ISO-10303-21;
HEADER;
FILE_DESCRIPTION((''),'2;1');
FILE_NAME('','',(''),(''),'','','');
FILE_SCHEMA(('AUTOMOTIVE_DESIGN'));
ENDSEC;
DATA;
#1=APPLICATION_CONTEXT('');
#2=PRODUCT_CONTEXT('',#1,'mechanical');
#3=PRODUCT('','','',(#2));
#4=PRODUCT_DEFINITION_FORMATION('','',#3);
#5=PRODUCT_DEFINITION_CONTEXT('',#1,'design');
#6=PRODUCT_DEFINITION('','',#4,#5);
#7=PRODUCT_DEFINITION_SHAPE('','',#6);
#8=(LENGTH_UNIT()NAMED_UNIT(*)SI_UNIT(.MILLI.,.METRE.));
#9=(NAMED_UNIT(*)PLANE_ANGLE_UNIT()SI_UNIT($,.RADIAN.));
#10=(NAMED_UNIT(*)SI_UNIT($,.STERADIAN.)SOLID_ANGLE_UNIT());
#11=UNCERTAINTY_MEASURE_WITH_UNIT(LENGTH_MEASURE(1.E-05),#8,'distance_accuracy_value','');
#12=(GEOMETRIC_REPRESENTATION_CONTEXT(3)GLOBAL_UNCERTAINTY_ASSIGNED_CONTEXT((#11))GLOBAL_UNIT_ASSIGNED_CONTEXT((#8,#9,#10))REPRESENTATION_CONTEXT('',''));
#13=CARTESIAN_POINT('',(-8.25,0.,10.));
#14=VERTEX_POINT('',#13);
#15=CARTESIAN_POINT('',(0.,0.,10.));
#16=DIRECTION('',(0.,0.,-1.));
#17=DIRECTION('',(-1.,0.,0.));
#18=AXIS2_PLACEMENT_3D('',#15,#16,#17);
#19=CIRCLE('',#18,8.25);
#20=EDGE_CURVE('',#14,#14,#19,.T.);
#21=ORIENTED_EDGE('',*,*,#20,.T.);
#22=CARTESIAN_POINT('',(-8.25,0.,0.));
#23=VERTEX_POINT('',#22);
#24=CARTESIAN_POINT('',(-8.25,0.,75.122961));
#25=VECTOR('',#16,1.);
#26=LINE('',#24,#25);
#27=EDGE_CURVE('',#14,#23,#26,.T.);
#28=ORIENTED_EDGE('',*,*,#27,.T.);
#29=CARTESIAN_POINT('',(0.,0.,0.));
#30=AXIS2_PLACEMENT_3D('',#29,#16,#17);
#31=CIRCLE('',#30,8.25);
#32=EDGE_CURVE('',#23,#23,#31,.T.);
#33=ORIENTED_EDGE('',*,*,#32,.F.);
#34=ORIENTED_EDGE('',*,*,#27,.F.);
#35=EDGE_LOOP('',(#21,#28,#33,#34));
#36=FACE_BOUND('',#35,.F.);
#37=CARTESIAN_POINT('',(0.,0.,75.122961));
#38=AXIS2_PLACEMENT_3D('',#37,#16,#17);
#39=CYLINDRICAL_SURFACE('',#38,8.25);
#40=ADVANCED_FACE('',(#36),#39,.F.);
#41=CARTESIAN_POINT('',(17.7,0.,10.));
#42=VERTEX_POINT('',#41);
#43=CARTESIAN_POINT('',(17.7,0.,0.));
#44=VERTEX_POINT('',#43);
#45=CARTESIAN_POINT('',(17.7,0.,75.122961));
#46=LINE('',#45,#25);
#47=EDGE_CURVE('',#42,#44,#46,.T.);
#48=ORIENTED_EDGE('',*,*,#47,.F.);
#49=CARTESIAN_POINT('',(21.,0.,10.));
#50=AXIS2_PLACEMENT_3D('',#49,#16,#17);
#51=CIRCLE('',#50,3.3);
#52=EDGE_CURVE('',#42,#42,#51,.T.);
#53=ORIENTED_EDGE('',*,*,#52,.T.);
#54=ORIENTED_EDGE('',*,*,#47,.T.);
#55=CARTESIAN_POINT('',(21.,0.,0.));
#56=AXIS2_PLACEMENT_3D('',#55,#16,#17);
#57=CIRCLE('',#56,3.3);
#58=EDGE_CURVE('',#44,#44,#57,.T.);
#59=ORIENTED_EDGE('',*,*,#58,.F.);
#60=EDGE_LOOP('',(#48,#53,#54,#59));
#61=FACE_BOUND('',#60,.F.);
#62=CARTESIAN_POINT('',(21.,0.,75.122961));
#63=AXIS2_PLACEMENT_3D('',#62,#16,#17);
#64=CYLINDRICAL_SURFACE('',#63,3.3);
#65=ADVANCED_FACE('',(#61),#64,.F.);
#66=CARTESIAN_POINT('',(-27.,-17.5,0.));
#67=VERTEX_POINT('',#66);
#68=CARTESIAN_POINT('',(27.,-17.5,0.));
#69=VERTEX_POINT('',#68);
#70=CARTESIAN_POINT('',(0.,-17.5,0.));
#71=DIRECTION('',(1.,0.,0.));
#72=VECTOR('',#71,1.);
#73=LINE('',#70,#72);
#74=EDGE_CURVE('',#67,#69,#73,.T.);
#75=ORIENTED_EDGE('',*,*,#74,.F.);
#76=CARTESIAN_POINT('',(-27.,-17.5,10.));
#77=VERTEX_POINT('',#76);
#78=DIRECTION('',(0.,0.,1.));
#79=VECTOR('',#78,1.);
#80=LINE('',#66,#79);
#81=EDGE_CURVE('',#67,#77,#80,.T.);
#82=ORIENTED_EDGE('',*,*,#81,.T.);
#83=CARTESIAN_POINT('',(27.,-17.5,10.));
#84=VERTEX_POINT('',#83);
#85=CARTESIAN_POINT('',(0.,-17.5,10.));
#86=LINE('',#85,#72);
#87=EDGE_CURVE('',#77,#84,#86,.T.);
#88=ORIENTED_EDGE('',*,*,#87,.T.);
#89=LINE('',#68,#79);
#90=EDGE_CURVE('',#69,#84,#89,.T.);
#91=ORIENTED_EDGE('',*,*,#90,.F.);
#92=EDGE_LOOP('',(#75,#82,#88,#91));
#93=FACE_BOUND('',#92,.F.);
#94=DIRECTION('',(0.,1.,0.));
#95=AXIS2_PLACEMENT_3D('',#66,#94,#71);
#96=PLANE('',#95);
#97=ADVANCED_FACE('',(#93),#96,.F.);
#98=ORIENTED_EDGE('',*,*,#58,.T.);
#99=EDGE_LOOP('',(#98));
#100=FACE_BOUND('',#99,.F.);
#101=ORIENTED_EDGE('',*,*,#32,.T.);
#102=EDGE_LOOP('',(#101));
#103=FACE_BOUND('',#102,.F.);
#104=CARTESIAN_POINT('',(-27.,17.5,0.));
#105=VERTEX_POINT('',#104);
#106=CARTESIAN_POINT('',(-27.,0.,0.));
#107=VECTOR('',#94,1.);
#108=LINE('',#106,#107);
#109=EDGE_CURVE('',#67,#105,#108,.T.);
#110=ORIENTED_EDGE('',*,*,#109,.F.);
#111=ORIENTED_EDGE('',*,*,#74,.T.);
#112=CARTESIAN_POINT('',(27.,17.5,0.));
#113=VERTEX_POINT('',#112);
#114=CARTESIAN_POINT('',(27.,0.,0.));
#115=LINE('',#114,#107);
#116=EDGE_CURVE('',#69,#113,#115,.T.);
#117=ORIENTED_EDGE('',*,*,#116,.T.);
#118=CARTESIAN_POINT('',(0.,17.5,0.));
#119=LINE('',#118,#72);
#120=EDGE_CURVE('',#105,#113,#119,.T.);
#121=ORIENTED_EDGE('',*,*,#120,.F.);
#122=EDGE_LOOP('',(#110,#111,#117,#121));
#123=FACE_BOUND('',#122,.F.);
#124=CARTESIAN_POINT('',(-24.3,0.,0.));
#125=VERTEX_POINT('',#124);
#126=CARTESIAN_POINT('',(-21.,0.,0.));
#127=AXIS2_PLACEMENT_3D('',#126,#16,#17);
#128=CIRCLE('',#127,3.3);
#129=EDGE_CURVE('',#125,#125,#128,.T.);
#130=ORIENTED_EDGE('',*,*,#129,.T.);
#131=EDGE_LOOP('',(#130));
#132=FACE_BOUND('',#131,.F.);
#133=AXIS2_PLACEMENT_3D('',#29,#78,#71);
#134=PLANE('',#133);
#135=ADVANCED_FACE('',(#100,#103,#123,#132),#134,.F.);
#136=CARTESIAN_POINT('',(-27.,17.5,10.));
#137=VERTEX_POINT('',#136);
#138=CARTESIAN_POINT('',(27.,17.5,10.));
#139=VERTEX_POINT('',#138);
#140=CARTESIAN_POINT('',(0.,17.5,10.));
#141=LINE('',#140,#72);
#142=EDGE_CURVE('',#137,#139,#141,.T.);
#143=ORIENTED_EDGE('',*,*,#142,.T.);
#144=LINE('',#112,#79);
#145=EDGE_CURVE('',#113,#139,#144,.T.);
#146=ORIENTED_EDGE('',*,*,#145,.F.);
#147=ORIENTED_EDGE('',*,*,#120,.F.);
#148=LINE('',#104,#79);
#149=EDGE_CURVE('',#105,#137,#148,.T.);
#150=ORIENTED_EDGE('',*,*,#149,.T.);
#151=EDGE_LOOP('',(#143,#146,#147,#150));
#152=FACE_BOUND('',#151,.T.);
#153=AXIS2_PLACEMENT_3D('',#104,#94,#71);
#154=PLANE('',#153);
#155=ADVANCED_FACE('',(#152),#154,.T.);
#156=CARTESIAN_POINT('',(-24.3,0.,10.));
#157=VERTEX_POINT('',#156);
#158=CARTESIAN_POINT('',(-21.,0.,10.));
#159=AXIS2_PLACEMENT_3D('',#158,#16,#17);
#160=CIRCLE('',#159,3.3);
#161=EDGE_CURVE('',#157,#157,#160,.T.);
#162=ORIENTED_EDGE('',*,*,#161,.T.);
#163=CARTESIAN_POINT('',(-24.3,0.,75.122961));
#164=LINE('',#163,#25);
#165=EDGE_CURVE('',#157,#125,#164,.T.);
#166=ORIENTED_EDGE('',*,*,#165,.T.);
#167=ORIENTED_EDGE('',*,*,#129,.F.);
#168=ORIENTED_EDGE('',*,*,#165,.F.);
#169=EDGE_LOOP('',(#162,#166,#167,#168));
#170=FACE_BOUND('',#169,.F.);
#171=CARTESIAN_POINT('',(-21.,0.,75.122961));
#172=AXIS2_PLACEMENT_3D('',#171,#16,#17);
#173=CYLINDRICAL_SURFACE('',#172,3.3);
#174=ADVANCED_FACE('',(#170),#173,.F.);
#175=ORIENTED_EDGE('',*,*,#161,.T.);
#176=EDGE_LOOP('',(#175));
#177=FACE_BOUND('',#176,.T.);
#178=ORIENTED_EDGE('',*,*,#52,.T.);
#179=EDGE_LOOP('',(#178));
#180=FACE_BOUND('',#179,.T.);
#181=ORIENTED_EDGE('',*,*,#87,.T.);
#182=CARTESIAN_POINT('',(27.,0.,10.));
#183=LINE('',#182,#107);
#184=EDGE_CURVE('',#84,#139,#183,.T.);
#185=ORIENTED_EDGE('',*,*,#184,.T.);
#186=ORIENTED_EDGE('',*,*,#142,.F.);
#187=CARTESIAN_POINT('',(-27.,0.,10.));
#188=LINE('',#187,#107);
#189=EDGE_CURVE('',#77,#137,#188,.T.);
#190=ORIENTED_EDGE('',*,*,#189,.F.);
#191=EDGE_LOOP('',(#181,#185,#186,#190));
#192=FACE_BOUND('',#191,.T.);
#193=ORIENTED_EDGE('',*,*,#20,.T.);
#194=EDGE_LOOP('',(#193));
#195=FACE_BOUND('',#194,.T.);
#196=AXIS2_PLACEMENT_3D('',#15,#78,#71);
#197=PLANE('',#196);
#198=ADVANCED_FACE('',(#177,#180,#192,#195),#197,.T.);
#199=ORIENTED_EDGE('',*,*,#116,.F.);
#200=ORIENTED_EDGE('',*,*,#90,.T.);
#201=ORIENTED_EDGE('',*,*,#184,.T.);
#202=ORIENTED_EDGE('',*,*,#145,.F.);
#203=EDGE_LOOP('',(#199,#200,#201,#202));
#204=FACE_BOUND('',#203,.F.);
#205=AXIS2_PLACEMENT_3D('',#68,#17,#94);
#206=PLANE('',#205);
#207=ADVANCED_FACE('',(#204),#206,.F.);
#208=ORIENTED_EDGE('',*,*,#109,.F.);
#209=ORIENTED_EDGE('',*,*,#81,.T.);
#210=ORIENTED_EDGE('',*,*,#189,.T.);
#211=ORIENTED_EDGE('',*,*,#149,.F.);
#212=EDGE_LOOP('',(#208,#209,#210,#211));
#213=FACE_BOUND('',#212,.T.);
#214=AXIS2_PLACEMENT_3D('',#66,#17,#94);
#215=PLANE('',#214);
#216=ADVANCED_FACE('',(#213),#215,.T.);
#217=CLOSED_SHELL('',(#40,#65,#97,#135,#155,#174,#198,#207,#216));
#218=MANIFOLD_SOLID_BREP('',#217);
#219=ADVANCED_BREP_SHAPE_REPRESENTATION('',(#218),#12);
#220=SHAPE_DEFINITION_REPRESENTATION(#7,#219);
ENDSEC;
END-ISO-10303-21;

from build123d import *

# Parameters (mm, degrees)
F0_W     = 54
F0_H     = 35
F1_DEPTH = 10
F3_D     = 16.5
F5_D     = 6.6


with BuildPart() as f1:
    # F0 (on Top) → F1 (new body)
    with BuildSketch(Plane.XY):
        Rectangle(F0_W, F0_H)
    extrude(amount=F1_DEPTH)

    # F3 (through all)
    with Locations(Plane.XY.offset(10)):
        with Locations((0, 0)):
            Hole(F3_D / 2)

    # F5 (through all)
    with Locations(Plane.XY.offset(10)):
        with Locations((-21, 0), (21, 0)):
            Hole(F5_D / 2)


solid = f1.part
